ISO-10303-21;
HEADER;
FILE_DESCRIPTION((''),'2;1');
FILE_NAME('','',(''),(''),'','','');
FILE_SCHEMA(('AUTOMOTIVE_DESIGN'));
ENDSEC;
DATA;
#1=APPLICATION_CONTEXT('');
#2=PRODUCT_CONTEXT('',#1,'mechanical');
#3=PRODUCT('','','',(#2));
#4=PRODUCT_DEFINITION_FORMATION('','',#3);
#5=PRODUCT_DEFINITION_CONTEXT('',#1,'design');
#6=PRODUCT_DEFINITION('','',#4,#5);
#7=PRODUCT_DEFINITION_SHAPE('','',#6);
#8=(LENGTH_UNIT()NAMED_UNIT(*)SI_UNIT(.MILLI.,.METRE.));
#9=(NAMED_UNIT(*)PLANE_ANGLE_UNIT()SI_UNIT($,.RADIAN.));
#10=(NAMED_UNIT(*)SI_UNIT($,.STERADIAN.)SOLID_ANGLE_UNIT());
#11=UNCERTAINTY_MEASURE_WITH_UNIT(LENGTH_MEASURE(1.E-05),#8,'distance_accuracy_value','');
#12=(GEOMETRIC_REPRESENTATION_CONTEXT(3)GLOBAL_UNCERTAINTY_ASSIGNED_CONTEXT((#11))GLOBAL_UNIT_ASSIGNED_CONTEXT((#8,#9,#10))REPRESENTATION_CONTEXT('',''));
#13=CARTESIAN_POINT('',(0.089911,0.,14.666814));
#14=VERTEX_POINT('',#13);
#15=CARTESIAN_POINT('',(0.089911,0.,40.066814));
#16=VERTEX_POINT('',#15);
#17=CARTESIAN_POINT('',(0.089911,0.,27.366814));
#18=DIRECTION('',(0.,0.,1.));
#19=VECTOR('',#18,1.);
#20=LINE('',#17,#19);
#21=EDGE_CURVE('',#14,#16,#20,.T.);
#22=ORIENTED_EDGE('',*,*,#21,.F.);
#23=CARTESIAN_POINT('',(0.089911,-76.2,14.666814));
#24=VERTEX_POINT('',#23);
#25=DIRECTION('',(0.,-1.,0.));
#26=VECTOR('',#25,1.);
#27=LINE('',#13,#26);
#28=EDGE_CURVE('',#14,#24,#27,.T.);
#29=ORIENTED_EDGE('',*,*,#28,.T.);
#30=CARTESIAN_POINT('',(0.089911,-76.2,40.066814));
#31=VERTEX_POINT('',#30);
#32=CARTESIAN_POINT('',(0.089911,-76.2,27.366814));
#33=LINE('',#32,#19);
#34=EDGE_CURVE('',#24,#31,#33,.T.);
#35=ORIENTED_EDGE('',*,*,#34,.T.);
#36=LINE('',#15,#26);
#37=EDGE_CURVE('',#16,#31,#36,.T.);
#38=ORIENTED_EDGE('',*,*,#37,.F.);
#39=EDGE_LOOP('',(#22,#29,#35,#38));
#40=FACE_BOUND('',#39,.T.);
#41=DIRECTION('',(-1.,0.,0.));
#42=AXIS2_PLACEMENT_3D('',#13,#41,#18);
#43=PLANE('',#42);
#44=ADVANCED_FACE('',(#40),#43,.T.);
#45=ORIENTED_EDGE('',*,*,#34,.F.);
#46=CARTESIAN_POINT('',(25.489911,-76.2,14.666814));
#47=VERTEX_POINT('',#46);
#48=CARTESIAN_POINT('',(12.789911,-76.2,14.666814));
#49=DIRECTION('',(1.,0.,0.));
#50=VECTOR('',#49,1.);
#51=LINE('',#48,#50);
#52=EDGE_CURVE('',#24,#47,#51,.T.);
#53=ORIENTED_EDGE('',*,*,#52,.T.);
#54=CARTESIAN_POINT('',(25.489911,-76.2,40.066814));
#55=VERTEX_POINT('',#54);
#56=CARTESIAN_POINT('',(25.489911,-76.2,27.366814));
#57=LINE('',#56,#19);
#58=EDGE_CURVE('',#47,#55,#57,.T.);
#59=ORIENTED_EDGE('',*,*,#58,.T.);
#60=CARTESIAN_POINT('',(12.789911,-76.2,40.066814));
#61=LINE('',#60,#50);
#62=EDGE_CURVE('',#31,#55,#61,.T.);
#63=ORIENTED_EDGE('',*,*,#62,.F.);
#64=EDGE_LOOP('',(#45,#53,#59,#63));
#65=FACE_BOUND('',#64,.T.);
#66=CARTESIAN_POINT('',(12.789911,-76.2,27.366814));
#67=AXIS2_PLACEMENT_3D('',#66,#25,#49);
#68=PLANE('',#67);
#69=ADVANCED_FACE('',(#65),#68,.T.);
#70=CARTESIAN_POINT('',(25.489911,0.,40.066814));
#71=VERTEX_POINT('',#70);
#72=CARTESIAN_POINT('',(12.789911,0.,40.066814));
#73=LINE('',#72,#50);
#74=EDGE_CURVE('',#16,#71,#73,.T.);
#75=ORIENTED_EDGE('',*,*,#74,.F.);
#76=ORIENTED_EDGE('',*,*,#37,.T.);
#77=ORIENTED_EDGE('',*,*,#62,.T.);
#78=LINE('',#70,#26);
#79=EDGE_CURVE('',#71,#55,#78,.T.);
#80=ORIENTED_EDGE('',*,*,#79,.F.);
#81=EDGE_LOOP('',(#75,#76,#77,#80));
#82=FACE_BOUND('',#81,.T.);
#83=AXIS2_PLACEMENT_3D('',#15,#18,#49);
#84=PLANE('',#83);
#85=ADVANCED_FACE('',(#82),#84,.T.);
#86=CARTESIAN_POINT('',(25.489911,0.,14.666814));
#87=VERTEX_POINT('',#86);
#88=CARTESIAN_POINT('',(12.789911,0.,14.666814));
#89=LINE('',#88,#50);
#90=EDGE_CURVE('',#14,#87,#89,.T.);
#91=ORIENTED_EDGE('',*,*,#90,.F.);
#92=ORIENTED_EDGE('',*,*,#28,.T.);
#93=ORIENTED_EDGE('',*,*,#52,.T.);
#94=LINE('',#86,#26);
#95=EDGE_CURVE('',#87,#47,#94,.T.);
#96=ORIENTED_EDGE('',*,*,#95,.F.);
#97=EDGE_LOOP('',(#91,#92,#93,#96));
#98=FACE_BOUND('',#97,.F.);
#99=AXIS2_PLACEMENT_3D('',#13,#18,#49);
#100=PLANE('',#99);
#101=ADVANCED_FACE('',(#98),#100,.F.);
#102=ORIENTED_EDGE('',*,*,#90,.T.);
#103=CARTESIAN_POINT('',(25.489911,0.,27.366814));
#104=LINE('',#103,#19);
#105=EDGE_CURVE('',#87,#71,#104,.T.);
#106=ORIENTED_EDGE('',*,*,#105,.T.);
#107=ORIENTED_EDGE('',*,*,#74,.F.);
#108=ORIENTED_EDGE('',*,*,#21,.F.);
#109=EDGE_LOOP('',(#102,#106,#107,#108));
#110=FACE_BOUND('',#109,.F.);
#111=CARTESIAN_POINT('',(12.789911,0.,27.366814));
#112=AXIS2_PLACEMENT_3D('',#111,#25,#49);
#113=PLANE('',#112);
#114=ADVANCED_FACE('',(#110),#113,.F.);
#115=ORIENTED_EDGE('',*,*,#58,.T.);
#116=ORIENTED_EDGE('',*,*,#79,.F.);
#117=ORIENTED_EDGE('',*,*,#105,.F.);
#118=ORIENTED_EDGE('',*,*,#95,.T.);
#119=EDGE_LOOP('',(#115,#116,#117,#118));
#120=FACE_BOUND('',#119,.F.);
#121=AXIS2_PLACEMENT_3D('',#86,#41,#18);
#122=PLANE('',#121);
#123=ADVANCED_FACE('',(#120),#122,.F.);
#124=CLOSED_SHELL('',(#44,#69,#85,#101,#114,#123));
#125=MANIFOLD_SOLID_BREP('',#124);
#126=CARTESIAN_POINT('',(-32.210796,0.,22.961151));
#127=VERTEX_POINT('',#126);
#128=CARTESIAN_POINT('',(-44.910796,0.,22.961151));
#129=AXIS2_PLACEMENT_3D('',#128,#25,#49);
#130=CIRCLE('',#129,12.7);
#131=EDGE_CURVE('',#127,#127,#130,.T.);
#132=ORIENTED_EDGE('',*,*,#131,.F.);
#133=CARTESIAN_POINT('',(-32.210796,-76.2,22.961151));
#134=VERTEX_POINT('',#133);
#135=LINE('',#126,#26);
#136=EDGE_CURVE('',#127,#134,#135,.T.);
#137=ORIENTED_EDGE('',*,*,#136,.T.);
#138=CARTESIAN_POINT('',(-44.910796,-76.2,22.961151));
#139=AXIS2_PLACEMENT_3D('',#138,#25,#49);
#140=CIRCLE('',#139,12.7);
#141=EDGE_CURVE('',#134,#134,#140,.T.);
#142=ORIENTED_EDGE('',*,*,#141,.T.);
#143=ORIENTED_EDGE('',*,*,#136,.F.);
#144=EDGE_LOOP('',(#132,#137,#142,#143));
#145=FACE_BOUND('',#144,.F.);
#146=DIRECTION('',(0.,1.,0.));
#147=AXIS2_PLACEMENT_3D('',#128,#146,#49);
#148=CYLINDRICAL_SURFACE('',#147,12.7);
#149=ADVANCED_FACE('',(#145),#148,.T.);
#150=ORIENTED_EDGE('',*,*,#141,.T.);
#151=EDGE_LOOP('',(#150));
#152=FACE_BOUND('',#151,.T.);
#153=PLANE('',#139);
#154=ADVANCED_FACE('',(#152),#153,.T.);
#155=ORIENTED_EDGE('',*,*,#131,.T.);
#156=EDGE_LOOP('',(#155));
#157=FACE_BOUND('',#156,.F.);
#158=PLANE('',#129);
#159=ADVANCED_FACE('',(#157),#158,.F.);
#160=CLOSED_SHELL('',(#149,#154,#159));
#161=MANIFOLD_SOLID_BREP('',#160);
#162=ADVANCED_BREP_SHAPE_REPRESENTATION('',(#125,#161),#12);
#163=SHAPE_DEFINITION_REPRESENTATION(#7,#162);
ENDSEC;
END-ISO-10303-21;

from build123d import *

# Parameters (mm, degrees)
F0_R     = 12.7
F0_W     = 25.4
F0_H     = 25.4
F1_DEPTH = 76.2


with BuildPart() as f1:
    # F0 (on Front) → F1 (new body)
    with BuildSketch(Plane.XZ):
        with Locations((-44.910796, 22.961151)):
            Circle(F0_R)
        with Locations((12.789911, 27.366814)):
            Rectangle(F0_W, F0_H)
    extrude(amount=F1_DEPTH)


solid = f1.part
